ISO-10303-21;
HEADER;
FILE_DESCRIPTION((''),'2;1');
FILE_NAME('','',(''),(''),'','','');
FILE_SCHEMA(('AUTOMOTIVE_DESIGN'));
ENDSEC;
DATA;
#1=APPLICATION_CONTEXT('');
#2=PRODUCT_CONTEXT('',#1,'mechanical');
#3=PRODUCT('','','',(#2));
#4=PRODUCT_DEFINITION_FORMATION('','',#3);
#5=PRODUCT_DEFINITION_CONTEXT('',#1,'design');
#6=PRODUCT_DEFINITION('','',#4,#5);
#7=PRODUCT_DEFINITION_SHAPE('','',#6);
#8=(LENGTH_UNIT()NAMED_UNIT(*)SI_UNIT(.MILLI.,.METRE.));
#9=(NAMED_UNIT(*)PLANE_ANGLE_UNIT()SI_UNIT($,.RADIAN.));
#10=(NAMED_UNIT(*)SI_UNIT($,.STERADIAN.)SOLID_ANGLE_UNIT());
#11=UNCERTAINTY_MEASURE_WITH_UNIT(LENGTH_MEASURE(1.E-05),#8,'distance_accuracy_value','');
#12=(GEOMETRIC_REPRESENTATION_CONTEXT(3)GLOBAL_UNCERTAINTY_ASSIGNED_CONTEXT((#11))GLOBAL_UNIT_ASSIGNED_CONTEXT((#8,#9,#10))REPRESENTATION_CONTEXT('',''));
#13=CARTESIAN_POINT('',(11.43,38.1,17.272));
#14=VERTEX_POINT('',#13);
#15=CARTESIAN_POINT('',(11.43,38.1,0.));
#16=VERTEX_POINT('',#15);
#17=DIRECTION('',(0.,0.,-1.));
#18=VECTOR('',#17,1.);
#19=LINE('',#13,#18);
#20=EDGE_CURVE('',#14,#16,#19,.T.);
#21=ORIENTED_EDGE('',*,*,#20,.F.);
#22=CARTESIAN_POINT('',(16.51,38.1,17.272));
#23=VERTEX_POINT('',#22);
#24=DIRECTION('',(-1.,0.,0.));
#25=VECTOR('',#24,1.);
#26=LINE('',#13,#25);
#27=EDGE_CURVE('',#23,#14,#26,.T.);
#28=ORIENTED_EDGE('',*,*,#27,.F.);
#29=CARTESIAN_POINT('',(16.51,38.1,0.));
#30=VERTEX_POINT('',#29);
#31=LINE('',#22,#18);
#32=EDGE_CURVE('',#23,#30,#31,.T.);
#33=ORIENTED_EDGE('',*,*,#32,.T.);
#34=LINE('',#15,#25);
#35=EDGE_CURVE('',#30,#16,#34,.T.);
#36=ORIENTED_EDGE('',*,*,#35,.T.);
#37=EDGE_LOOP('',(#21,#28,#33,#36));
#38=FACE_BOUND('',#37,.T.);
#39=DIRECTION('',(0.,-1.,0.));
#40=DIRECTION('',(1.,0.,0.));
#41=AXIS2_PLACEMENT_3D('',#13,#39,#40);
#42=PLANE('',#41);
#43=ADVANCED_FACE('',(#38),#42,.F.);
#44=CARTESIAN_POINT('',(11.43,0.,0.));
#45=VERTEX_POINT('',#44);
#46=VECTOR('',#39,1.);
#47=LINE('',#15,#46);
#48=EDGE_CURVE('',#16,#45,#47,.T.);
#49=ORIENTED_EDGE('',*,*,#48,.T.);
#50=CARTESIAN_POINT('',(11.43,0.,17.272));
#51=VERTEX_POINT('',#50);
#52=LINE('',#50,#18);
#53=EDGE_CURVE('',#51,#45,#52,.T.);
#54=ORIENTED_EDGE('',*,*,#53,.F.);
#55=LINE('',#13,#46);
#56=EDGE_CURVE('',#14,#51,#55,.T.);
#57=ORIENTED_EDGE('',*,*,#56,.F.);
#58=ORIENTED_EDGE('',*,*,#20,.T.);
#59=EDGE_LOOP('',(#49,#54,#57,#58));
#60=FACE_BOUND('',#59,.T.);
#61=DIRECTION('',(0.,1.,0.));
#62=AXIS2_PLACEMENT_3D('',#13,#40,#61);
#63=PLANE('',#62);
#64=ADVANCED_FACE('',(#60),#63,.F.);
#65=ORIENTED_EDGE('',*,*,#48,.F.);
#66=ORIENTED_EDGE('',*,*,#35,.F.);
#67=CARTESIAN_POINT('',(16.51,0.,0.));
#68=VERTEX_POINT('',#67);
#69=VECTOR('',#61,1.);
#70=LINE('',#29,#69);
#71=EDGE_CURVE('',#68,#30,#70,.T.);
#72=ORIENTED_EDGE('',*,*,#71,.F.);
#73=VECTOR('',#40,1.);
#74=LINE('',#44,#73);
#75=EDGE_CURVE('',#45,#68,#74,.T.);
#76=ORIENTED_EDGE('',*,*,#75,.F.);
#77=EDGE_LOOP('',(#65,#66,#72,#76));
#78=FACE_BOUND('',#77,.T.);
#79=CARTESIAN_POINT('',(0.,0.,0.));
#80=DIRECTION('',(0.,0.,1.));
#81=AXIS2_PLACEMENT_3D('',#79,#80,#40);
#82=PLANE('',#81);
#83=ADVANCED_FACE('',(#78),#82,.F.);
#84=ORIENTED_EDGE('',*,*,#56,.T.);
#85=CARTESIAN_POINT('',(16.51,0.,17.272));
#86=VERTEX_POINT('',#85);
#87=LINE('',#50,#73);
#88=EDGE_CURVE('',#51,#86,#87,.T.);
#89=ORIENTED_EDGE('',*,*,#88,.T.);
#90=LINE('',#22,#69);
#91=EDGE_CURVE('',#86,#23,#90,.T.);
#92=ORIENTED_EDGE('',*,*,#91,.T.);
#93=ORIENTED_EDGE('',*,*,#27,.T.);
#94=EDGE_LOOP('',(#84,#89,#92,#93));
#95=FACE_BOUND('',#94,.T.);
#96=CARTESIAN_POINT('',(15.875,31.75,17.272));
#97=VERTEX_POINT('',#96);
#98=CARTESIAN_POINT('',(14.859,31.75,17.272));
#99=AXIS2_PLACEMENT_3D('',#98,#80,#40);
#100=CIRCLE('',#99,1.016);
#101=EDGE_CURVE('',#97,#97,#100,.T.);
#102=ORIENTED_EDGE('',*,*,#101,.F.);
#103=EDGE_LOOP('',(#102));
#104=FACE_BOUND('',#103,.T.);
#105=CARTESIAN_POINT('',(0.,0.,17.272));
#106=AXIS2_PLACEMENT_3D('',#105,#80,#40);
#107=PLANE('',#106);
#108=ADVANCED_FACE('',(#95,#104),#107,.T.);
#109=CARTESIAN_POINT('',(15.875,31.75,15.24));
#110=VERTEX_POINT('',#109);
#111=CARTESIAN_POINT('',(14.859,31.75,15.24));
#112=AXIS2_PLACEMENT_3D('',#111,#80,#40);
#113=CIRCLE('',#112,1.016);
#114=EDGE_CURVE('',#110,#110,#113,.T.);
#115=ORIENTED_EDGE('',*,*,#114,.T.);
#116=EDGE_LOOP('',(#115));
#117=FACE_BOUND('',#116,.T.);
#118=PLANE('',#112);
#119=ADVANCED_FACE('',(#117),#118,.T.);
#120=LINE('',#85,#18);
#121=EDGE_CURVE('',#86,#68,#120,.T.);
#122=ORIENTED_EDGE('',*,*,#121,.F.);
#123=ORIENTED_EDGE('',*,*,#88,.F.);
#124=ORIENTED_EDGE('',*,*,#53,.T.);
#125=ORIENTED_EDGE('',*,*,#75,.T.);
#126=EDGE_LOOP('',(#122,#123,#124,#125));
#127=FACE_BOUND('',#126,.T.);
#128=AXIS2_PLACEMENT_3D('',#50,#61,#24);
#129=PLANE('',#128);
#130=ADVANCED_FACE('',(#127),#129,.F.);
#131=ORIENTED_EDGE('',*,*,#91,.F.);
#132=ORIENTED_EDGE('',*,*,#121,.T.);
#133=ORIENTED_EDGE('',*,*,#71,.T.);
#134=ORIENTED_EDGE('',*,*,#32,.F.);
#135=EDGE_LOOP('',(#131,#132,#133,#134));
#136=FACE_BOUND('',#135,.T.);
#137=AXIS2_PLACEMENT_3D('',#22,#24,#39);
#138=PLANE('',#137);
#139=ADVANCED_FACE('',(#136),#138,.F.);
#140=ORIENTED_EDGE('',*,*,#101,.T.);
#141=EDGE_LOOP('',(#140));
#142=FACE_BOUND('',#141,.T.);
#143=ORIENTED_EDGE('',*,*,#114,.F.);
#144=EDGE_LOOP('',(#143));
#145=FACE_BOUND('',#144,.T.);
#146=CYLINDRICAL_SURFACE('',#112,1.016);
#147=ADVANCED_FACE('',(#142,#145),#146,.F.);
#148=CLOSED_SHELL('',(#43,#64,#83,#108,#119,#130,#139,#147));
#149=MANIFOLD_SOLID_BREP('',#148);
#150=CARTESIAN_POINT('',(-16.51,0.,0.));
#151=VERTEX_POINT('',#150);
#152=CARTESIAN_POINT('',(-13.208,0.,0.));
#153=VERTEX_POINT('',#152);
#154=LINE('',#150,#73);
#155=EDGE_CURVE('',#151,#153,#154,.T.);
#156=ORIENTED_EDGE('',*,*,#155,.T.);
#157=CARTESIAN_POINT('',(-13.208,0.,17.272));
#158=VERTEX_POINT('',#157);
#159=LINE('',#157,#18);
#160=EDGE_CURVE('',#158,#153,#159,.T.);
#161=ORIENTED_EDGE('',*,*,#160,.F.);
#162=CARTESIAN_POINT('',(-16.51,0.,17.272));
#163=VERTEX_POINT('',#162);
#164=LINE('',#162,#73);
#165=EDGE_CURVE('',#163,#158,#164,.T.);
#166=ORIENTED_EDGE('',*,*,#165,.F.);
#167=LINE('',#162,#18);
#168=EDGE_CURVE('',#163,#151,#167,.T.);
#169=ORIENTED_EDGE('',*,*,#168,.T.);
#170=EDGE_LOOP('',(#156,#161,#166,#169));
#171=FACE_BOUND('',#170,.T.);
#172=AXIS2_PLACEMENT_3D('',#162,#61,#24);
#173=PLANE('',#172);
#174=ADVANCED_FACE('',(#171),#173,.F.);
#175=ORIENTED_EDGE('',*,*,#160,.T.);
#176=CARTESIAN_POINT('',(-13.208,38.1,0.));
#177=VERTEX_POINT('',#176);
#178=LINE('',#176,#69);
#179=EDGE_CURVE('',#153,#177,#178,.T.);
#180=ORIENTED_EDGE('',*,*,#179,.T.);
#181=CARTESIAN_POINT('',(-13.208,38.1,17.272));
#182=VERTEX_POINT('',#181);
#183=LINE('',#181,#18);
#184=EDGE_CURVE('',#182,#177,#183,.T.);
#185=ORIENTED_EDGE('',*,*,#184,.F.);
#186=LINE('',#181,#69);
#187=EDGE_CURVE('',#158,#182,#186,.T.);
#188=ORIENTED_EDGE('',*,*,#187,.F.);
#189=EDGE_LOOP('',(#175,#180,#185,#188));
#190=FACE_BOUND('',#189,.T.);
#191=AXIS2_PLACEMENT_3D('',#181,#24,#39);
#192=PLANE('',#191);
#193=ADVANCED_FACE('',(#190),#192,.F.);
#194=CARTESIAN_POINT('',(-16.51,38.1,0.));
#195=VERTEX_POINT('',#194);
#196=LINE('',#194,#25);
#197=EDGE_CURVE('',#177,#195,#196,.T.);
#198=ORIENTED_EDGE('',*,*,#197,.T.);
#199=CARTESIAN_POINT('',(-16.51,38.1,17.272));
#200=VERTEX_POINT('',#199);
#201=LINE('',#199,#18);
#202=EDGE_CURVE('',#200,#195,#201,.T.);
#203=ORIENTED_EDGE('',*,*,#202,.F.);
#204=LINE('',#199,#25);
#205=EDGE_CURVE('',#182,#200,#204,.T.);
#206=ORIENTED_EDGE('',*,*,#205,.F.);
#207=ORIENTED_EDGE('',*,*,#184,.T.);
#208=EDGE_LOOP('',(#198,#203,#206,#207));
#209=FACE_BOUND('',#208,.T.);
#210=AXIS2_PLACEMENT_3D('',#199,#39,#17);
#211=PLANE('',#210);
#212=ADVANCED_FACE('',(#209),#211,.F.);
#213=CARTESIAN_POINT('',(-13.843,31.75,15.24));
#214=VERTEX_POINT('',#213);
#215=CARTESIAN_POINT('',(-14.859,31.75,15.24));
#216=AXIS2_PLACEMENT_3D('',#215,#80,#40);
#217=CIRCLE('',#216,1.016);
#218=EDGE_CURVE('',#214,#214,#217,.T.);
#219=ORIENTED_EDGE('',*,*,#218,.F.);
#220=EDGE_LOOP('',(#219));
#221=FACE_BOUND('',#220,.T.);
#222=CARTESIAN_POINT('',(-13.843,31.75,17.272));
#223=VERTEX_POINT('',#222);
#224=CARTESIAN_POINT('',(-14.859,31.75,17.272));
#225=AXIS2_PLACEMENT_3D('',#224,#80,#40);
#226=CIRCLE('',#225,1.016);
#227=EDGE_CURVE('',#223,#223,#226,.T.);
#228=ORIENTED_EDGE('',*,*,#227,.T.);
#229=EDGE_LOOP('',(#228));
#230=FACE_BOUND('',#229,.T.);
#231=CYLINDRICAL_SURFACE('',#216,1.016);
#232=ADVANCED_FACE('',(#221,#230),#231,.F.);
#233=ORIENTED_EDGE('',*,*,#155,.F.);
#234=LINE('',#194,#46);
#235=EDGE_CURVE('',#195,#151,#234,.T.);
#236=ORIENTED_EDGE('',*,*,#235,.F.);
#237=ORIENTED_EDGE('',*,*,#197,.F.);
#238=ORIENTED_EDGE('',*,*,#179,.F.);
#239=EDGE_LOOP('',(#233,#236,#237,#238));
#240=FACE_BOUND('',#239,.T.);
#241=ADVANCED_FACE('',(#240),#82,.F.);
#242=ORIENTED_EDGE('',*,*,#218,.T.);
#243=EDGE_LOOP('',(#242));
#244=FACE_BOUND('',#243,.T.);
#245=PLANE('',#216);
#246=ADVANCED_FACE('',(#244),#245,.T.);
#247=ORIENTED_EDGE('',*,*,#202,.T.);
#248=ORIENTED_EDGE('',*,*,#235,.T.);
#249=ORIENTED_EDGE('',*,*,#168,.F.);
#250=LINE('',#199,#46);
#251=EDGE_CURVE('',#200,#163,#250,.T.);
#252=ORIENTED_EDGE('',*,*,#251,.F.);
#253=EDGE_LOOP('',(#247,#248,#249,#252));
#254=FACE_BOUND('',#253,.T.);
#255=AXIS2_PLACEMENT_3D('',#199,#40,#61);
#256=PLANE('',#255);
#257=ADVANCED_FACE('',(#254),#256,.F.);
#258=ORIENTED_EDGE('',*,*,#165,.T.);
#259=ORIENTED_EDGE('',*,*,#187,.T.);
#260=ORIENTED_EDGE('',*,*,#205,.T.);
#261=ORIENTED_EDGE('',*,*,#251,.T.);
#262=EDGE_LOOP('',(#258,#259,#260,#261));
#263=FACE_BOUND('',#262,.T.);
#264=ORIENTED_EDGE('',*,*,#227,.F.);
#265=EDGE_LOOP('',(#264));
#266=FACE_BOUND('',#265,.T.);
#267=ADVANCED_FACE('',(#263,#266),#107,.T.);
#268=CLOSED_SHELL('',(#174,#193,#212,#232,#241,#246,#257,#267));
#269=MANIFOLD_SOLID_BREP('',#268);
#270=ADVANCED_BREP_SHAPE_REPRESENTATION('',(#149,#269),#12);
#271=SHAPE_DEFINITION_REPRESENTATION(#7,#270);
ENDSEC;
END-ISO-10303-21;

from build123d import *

# Parameters (mm, degrees)
SKETCH2_W             = 3.302
SKETCH2_H             = 38.1
BOSS_EXTRUDE1_DEPTH   = 17.272
SKETCH2_W_2           = 5.08
BOSS_EXTRUDE1_2_DEPTH = 17.272
SKETCH3_R             = 1.016
CUT_EXTRUDE1_DEPTH    = 2.032


with BuildPart() as part:
    # Sketch2 → Boss-Extrude1 (new body)
    with BuildSketch(Plane.XY):
        with Locations((-14.859, 19.05)):
            Rectangle(SKETCH2_W, SKETCH2_H)
    extrude(amount=BOSS_EXTRUDE1_DEPTH)


with BuildPart() as body_2:
    # Sketch2 → Boss-Extrude1 2 (new body)
    with BuildSketch(Plane.XY):
        with Locations((13.97, 19.05)):
            Rectangle(SKETCH2_W_2, SKETCH2_H)
    extrude(amount=BOSS_EXTRUDE1_2_DEPTH)


with BuildPart() as cut_extrude1_tool:
    # Sketch3 → Cut-Extrude1 (new body)
    with BuildSketch(Plane.XY.offset(17.272)):
        with Locations((-14.859, 31.75)):
            Circle(SKETCH3_R)
        with Locations((14.859, 31.75)):
            Circle(SKETCH3_R)
    extrude(amount=-CUT_EXTRUDE1_DEPTH)


with BuildPart() as part_1:
    add(part.part)

    # Cut-Extrude1: cut by cut_extrude1_tool
    add(cut_extrude1_tool.part, mode=Mode.SUBTRACT)


with BuildPart() as body_2_1:
    add(body_2.part)

    # Cut-Extrude1: cut by cut_extrude1_tool
    add(cut_extrude1_tool.part, mode=Mode.SUBTRACT)


solid = Compound([part_1.part, body_2_1.part])
